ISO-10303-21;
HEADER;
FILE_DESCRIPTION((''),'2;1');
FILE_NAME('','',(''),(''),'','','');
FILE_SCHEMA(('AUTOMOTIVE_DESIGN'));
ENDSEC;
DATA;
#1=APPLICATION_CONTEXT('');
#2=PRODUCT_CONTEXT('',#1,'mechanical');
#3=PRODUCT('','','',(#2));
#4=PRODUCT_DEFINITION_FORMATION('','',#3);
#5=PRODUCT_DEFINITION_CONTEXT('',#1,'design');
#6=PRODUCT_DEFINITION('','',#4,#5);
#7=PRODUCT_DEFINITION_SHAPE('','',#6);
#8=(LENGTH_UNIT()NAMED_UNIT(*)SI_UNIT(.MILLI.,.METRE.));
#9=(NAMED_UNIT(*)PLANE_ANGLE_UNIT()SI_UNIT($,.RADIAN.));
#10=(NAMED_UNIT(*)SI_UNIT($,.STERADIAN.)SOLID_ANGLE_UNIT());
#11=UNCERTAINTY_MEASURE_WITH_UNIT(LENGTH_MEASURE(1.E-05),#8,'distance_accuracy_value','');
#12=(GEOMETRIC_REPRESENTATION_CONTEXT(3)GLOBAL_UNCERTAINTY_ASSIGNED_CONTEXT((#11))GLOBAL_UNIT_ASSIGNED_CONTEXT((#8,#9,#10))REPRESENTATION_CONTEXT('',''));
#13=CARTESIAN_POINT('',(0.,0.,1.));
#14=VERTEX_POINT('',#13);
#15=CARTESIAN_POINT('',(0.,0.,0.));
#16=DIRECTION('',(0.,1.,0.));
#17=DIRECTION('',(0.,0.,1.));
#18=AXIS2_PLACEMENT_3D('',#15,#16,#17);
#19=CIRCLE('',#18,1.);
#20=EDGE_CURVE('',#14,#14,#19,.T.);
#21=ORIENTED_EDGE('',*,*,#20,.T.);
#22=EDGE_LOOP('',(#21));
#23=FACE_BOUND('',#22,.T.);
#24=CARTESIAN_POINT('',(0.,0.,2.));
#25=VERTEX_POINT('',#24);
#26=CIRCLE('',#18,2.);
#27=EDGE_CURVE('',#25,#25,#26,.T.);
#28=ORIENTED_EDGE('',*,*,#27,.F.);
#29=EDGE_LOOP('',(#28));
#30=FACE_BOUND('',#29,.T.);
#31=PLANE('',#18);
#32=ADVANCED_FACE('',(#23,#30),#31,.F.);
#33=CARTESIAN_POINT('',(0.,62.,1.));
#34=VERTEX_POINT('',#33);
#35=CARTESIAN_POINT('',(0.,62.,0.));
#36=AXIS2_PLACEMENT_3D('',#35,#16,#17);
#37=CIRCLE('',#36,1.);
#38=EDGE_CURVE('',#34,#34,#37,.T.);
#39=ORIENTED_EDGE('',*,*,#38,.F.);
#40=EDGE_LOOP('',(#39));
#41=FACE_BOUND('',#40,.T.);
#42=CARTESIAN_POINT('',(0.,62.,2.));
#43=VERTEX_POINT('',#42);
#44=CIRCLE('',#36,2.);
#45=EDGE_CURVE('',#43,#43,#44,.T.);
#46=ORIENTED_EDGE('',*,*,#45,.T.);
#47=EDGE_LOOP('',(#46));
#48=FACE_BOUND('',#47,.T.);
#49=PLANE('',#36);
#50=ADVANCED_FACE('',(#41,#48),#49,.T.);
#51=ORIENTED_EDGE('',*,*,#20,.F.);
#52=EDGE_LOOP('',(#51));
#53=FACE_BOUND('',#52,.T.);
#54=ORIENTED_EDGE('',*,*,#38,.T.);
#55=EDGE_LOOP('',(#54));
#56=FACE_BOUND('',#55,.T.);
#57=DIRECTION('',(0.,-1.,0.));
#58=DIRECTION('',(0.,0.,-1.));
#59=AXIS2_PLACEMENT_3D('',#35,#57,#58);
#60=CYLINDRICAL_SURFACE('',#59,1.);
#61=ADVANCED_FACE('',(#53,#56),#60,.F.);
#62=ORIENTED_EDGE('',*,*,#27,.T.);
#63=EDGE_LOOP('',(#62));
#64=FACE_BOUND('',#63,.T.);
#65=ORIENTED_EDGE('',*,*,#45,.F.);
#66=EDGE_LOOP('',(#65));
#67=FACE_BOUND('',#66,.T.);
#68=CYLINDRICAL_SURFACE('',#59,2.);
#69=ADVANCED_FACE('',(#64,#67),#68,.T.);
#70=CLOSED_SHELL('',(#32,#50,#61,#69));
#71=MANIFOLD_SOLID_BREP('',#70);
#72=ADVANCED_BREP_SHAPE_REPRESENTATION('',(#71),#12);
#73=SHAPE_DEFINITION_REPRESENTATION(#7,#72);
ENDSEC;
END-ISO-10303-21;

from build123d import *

# Parameters (mm, degrees)
SKETCH1_R           = 2
SKETCH1_R_2         = 1
BOSS_EXTRUDE1_DEPTH = 62


with BuildPart() as part:
    # Sketch1 → Boss-Extrude1 (new body)
    with BuildSketch(Plane(origin=(0, 0, 0), x_dir=(1, 0, 0), z_dir=(0, 1, 0))):
        with Locations(Location((0, 0, 0), (0, 0, 270))):
            Circle(SKETCH1_R)
        with Locations(Location((0, 0, 0), (0, 0, 270))):
            Circle(SKETCH1_R_2, mode=Mode.SUBTRACT)
    extrude(amount=BOSS_EXTRUDE1_DEPTH)


solid = part.part
